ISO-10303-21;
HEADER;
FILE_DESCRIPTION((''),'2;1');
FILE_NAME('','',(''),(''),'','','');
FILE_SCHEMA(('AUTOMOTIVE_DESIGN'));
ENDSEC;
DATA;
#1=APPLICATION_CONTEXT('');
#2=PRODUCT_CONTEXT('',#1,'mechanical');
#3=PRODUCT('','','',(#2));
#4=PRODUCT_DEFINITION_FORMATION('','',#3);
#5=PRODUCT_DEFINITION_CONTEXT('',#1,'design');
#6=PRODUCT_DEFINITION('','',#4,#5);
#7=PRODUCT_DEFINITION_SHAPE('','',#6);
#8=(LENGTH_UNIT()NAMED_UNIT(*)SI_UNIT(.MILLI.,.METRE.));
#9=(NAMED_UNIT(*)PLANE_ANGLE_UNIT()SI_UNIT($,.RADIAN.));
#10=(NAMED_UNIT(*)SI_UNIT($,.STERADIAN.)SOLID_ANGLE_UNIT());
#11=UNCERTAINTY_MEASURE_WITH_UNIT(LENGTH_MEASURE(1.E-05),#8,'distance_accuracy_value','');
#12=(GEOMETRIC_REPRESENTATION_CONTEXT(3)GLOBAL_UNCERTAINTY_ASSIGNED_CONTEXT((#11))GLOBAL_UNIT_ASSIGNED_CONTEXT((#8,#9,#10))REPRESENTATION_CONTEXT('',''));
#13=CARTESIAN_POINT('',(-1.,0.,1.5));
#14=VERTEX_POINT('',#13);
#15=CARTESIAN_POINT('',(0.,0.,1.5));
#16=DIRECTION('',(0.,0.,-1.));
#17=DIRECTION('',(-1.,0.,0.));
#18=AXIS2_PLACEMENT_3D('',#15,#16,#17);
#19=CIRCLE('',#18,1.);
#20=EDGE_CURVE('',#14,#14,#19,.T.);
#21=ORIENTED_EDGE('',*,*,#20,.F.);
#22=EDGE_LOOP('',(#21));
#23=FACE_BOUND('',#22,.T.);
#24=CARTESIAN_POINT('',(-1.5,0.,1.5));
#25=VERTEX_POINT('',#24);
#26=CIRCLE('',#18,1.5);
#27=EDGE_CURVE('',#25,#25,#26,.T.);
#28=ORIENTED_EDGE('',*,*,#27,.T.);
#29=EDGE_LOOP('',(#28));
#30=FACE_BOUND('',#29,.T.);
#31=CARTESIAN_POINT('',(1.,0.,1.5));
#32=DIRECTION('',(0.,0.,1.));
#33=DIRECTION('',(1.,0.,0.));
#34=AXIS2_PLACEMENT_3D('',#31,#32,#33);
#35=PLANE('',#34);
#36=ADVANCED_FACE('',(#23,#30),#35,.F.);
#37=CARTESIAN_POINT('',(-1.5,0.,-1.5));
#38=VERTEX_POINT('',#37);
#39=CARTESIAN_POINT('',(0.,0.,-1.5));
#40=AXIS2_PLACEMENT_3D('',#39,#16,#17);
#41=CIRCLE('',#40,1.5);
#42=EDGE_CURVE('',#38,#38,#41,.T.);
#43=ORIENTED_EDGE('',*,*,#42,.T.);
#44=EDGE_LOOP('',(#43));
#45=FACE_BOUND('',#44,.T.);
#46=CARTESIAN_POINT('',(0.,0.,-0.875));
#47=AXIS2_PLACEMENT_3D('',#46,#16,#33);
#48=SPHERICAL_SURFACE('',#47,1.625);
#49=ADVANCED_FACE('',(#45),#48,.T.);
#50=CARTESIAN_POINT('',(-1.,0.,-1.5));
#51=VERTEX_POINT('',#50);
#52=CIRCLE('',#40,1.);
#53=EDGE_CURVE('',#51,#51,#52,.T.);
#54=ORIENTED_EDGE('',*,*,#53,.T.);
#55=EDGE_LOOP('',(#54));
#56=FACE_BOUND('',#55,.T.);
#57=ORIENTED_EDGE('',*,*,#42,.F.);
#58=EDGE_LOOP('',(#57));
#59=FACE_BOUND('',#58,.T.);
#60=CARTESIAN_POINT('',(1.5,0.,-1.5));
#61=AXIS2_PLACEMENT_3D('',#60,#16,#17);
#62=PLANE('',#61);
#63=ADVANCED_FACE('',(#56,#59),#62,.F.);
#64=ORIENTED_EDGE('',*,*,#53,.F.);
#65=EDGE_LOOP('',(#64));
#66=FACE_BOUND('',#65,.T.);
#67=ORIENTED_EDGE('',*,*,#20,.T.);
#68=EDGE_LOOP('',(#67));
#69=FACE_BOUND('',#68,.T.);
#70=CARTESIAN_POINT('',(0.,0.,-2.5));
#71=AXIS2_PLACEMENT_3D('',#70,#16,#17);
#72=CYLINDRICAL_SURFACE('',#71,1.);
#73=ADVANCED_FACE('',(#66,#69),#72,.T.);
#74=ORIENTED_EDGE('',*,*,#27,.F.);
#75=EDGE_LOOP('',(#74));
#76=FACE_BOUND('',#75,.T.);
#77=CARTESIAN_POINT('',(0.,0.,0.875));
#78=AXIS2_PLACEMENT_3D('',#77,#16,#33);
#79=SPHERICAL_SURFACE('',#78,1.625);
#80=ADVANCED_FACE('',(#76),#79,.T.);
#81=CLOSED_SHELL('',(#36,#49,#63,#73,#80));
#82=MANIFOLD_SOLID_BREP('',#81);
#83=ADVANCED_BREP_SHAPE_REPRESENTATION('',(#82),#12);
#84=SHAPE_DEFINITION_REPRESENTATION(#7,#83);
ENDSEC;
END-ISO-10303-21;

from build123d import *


with BuildPart() as part:
    # 草图1 → 旋转1 (revolve)
    with BuildSketch(Plane(origin=(0, 0, 0), x_dir=(1, 0, 0), z_dir=(0, 1, 0))):
        with BuildLine():
            Line((0, 2.5), (0, -2.5))
            ThreePointArc((0, -2.5), (0.901387819, -2.227081728), (1.5, -1.5))
            Line((1.5, -1.5), (1, -1.5))
            Line((1, -1.5), (1, 1.5))
            Line((1, 1.5), (1.5, 1.5))
            ThreePointArc((1.5, 1.5), (0.901387819, 2.227081728), (0, 2.5))
        make_face()
    revolve(axis=Axis((0, 0, -2.5), (0, 0, 1)))


solid = part.part
